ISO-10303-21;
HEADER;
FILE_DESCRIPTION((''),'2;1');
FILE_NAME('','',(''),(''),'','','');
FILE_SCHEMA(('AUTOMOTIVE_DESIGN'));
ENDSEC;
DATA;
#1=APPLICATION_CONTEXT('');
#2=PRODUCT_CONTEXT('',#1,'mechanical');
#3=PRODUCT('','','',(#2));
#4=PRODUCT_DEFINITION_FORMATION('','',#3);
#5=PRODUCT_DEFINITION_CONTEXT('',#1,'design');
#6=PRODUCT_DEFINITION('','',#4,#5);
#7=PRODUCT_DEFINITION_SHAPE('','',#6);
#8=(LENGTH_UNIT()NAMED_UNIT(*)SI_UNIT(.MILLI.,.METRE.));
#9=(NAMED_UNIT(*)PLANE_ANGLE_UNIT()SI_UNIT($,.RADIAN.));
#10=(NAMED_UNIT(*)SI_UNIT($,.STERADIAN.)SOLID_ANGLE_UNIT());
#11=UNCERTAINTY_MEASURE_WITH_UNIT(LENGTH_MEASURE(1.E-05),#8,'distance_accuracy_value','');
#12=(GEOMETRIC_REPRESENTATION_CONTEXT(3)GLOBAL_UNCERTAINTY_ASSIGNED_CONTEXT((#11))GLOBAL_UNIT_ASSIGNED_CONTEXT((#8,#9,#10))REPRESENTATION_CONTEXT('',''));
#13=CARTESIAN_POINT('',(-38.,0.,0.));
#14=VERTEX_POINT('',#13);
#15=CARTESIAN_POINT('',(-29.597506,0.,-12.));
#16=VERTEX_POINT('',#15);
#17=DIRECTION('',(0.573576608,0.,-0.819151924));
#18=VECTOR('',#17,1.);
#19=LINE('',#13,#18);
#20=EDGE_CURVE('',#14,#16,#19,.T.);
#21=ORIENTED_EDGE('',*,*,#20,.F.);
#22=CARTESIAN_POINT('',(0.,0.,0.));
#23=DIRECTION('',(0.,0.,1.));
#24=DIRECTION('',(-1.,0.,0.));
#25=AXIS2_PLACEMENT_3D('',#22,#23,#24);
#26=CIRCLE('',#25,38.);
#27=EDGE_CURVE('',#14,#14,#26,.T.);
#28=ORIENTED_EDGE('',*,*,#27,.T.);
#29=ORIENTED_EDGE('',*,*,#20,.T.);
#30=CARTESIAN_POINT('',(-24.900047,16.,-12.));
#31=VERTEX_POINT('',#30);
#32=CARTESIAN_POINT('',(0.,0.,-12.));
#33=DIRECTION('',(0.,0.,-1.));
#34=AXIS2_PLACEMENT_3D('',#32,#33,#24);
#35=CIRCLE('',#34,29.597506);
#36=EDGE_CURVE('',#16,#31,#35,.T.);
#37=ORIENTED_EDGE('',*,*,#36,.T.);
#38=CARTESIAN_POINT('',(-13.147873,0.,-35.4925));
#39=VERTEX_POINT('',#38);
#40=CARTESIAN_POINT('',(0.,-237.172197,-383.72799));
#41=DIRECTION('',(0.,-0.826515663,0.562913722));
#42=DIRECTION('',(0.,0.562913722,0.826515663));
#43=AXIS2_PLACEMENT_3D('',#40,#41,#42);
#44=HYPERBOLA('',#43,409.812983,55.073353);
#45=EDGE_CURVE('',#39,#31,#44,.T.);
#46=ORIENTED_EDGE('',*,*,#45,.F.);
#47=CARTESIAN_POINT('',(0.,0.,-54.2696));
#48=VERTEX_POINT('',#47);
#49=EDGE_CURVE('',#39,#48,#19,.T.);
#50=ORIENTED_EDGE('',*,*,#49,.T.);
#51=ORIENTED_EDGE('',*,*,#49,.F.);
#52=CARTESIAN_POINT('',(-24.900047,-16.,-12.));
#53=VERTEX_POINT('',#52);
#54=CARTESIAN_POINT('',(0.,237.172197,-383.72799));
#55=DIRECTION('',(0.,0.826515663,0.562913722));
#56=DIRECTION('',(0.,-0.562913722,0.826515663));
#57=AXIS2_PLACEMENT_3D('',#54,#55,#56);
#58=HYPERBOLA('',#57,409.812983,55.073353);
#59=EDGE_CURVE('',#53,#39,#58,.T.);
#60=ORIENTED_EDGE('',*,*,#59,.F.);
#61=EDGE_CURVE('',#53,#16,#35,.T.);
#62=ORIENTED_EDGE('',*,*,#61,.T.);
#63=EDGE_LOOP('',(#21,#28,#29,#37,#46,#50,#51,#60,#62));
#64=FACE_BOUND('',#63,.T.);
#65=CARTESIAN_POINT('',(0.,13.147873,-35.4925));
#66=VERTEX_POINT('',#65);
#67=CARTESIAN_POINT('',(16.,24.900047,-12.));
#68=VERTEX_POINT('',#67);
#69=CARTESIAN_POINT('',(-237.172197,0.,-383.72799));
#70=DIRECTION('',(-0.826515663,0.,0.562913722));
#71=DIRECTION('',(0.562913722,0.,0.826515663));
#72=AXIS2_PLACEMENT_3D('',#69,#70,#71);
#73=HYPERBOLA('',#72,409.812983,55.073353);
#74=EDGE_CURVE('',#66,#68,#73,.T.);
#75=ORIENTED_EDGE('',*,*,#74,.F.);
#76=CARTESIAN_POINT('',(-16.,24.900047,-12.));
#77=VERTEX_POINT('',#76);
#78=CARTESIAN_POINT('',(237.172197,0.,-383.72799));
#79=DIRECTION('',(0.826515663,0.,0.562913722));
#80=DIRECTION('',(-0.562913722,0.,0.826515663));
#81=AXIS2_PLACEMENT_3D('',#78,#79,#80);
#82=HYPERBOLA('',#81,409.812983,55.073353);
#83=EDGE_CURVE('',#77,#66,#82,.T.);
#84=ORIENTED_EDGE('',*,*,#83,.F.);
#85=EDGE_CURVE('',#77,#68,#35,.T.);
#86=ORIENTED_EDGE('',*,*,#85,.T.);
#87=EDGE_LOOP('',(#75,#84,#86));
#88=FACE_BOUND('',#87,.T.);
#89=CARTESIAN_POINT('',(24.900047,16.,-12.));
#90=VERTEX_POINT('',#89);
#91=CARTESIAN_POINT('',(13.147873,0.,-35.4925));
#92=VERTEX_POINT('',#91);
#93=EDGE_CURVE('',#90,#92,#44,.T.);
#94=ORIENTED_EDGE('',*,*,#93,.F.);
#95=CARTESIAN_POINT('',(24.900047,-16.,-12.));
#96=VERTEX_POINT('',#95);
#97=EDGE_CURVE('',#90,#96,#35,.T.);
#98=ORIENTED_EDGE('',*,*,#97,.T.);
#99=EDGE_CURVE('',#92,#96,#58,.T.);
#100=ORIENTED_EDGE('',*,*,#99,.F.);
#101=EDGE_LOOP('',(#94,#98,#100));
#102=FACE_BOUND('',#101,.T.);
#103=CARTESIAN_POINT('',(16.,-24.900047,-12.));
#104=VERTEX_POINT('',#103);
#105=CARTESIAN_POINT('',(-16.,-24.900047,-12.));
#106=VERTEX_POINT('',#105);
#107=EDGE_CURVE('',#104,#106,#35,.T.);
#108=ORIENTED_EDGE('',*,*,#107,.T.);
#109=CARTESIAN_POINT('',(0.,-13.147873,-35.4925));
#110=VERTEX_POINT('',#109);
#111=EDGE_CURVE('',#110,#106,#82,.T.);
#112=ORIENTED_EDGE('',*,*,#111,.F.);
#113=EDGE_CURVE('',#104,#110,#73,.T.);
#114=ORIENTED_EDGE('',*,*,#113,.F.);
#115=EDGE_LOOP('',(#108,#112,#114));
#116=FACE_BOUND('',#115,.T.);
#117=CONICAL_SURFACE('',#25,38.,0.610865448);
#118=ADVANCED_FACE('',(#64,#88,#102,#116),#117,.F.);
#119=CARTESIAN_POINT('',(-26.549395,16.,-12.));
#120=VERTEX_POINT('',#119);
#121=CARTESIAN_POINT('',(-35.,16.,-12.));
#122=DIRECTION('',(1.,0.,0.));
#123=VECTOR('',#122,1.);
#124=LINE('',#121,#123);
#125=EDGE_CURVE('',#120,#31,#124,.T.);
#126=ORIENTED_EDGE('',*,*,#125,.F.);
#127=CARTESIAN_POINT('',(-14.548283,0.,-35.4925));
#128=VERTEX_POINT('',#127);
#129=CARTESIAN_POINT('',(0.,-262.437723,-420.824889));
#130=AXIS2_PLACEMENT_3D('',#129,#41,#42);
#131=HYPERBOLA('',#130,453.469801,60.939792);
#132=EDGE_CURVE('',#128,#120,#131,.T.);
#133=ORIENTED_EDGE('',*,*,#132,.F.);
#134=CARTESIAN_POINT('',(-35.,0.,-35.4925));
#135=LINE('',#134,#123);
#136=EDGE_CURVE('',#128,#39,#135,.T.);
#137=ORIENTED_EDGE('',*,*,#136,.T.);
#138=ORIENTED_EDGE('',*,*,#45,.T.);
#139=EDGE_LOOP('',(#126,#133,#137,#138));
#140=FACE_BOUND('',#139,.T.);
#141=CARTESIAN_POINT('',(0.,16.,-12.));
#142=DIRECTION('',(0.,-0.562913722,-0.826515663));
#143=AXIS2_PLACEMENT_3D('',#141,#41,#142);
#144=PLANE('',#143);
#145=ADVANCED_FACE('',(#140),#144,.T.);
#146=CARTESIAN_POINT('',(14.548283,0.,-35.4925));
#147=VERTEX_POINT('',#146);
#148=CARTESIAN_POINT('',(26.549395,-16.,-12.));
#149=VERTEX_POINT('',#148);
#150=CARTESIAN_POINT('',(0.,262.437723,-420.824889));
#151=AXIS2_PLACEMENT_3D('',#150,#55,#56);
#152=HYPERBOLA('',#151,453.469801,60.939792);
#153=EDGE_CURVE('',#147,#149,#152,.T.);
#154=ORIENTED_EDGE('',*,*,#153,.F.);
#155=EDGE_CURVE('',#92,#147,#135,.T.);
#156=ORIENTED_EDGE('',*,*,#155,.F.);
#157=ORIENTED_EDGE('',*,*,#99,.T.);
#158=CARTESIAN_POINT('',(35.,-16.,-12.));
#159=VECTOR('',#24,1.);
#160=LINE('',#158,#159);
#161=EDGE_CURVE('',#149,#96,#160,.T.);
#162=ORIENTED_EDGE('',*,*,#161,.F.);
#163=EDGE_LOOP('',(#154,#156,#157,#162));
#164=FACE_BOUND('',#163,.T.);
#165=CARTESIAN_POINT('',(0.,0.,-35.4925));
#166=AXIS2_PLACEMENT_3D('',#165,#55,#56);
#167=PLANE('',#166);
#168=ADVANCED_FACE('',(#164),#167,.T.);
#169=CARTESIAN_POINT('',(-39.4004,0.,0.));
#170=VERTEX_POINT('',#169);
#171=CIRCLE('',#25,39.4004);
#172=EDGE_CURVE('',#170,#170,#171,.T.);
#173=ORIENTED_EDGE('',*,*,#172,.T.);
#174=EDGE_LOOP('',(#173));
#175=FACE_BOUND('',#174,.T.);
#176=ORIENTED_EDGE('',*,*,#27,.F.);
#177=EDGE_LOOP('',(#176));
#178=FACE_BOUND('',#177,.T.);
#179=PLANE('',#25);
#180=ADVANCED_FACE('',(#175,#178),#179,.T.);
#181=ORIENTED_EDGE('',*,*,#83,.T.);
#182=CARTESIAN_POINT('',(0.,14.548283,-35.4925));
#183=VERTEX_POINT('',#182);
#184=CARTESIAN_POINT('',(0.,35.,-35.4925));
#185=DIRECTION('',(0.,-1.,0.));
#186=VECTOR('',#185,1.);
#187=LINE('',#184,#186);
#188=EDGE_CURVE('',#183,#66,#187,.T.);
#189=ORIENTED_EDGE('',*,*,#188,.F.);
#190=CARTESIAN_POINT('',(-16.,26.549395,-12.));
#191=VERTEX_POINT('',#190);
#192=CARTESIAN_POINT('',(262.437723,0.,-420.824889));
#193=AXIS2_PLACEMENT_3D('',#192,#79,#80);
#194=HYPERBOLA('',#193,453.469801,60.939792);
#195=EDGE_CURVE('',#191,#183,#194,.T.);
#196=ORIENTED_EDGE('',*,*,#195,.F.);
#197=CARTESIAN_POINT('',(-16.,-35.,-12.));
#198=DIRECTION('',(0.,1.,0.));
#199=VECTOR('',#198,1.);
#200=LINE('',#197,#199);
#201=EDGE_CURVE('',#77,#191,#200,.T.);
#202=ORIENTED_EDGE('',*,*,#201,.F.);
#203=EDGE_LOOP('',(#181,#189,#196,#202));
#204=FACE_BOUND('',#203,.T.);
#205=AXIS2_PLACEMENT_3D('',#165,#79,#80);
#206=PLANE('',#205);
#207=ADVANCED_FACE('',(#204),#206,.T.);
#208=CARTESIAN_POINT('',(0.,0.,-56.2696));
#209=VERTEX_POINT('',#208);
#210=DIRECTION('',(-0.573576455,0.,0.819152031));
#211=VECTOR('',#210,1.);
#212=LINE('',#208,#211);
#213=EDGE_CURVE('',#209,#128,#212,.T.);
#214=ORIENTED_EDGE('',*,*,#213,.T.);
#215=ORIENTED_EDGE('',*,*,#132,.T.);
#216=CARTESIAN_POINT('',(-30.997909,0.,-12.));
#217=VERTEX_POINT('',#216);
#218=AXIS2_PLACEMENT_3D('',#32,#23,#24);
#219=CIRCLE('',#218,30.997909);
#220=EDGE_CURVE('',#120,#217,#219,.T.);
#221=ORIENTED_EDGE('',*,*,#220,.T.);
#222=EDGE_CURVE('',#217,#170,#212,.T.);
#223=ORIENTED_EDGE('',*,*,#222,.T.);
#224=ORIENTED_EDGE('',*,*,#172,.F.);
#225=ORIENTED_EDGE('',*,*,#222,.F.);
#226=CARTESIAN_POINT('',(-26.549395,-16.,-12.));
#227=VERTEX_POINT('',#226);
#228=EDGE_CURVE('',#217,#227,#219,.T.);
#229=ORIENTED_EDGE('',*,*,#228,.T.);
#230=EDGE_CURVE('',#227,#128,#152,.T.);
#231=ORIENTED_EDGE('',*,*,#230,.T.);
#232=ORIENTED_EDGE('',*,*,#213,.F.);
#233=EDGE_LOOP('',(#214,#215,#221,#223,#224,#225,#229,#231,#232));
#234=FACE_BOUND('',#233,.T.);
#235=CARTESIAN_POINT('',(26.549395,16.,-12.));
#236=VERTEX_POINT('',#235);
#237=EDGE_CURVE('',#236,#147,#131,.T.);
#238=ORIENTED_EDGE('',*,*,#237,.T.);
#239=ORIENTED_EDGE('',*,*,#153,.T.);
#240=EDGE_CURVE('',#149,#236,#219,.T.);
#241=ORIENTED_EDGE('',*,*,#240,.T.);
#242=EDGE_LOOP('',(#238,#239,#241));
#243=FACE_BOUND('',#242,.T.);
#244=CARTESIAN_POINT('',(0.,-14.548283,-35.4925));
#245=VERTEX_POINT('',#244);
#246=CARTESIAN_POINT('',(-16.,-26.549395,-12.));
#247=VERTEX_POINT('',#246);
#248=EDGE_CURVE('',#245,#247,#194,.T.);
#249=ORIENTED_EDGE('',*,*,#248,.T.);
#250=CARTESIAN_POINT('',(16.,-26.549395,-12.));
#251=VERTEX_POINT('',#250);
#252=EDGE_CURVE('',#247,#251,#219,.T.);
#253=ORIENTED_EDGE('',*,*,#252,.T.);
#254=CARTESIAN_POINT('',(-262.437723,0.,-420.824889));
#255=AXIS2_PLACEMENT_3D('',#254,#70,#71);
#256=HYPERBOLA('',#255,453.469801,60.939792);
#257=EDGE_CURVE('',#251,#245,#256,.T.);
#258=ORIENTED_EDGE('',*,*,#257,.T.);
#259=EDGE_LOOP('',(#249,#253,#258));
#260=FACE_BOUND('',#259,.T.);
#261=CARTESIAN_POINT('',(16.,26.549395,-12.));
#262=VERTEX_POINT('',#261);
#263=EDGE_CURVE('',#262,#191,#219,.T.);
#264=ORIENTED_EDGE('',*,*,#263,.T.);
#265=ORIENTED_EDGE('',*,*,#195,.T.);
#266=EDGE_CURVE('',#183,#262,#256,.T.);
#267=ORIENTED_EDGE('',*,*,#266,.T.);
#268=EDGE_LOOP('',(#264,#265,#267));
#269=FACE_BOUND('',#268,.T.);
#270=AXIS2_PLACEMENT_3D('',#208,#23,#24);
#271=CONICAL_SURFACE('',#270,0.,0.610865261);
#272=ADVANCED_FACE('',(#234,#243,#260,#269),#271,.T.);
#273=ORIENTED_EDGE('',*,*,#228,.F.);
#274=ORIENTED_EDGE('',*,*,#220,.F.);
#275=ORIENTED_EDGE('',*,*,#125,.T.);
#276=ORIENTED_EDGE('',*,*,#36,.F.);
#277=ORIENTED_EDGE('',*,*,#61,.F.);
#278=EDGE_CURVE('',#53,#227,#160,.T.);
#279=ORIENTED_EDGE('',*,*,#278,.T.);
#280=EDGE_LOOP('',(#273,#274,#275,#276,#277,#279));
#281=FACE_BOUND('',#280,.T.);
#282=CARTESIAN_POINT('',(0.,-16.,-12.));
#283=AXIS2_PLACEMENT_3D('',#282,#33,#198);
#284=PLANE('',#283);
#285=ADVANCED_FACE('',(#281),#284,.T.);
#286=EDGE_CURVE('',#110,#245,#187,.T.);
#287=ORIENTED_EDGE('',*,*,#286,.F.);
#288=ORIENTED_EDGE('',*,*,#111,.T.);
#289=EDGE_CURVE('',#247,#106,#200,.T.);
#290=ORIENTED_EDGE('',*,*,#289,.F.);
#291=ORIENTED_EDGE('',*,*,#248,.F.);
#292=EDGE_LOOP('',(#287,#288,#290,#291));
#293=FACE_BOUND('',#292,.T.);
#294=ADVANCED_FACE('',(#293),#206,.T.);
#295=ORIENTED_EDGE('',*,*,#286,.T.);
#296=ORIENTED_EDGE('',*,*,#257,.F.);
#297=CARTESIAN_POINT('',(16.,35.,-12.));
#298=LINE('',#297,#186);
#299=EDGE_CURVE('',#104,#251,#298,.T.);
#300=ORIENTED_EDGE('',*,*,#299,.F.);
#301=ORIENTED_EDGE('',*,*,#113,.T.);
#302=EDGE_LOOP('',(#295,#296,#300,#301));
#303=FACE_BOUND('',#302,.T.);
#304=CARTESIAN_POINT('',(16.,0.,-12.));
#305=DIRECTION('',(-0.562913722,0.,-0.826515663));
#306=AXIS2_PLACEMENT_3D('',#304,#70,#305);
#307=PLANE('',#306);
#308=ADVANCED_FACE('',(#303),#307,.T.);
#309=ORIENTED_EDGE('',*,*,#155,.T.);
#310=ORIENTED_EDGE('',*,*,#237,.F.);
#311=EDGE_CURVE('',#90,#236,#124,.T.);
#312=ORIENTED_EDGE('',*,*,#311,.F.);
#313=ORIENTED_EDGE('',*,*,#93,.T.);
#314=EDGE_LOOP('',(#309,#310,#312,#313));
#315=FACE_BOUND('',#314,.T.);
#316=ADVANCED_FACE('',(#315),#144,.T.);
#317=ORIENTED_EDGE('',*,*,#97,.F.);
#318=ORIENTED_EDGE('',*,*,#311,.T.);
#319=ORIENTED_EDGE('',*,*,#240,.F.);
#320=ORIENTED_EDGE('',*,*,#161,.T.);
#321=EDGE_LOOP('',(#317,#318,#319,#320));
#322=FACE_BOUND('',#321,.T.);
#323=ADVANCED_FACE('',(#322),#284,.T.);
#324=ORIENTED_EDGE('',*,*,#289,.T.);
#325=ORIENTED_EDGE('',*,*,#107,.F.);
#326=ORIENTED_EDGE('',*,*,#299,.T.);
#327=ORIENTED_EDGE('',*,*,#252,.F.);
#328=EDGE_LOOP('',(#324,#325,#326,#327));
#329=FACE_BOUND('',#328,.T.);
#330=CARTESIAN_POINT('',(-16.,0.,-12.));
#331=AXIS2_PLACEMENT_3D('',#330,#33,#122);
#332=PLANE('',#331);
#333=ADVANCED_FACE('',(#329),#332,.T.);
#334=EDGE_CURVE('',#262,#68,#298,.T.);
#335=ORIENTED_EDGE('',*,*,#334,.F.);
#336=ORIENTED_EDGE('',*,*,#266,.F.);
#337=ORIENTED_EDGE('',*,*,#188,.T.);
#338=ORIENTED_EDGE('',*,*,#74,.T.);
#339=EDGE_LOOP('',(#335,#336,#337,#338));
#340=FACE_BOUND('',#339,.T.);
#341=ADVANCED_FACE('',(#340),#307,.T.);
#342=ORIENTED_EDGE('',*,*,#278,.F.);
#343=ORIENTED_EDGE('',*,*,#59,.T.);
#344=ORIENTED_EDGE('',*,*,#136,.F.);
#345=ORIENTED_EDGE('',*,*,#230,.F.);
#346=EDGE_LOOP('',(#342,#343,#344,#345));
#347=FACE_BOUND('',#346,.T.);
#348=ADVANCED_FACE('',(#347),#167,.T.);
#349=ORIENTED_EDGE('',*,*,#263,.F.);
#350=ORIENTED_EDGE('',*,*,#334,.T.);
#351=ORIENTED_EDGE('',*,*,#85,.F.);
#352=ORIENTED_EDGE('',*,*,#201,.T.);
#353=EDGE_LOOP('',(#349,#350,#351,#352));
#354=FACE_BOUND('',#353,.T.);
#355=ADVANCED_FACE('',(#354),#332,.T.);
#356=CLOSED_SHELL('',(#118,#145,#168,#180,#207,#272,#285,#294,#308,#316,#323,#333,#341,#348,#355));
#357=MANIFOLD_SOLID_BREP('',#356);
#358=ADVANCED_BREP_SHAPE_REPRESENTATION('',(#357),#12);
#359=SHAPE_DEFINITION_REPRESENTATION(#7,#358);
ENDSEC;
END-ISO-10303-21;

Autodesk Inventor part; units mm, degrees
ref_plane "YZ Plane" through (0, 0, 0) normal (1, 0, 0) x (0, 1, 0)
ref_plane "XZ Plane" through (0, 0, 0) normal (0, 1, 0) x (-1, 0, 0)
ref_plane "XY Plane" through (0, 0, 0) normal (0, 0, 1) x (1, 0, 0)
sketch "Sketch1" plane through (0, 0, 0) normal (0, 1, 0) x (-1, 0, 0)
  line L0 (38, 0) -> (0, -54.2696)
  line L1 (38, 0) -> (104.251, 0) construction
  line L2 (0, -54.2696) -> (0, -56.2696)
  line L3 (0, -56.2696) -> (39.4004, 0)
  line L4 (39.4004, 0) -> (38, 0)
  line L5 (0, -67.5235) -> (0, 11.2539) projected
  point P0 (0, 0)
  dimension "d0" = 125
  dimension "d1" = 2
revolve "Revolution1" add sketch "Sketch1" angle 360 about axis through (0, 0, -10) along (0, 0, 1)
sketch "Sketch3" plane through (0, 0, 0) normal (0, 1, 0) x (-1, 0, 0)
  line L0 (16, -12) -> (-16, -12)
  line L1 (-16, -12) -> (0, -35.4925)
  line L2 (0, -35.4925) -> (16, -12)
  point P0 (0, 0)
  dimension "d3" = 32
extrude "Extrusion1" cut sketch "Sketch3" along normal mid plane 70
pattern_circular "Circular Pattern1" count 2 over 90 about axis through (0, 0, -10) along (0, 0, 1) of "Extrusion1"
properties part number "small_membrane_shell"
